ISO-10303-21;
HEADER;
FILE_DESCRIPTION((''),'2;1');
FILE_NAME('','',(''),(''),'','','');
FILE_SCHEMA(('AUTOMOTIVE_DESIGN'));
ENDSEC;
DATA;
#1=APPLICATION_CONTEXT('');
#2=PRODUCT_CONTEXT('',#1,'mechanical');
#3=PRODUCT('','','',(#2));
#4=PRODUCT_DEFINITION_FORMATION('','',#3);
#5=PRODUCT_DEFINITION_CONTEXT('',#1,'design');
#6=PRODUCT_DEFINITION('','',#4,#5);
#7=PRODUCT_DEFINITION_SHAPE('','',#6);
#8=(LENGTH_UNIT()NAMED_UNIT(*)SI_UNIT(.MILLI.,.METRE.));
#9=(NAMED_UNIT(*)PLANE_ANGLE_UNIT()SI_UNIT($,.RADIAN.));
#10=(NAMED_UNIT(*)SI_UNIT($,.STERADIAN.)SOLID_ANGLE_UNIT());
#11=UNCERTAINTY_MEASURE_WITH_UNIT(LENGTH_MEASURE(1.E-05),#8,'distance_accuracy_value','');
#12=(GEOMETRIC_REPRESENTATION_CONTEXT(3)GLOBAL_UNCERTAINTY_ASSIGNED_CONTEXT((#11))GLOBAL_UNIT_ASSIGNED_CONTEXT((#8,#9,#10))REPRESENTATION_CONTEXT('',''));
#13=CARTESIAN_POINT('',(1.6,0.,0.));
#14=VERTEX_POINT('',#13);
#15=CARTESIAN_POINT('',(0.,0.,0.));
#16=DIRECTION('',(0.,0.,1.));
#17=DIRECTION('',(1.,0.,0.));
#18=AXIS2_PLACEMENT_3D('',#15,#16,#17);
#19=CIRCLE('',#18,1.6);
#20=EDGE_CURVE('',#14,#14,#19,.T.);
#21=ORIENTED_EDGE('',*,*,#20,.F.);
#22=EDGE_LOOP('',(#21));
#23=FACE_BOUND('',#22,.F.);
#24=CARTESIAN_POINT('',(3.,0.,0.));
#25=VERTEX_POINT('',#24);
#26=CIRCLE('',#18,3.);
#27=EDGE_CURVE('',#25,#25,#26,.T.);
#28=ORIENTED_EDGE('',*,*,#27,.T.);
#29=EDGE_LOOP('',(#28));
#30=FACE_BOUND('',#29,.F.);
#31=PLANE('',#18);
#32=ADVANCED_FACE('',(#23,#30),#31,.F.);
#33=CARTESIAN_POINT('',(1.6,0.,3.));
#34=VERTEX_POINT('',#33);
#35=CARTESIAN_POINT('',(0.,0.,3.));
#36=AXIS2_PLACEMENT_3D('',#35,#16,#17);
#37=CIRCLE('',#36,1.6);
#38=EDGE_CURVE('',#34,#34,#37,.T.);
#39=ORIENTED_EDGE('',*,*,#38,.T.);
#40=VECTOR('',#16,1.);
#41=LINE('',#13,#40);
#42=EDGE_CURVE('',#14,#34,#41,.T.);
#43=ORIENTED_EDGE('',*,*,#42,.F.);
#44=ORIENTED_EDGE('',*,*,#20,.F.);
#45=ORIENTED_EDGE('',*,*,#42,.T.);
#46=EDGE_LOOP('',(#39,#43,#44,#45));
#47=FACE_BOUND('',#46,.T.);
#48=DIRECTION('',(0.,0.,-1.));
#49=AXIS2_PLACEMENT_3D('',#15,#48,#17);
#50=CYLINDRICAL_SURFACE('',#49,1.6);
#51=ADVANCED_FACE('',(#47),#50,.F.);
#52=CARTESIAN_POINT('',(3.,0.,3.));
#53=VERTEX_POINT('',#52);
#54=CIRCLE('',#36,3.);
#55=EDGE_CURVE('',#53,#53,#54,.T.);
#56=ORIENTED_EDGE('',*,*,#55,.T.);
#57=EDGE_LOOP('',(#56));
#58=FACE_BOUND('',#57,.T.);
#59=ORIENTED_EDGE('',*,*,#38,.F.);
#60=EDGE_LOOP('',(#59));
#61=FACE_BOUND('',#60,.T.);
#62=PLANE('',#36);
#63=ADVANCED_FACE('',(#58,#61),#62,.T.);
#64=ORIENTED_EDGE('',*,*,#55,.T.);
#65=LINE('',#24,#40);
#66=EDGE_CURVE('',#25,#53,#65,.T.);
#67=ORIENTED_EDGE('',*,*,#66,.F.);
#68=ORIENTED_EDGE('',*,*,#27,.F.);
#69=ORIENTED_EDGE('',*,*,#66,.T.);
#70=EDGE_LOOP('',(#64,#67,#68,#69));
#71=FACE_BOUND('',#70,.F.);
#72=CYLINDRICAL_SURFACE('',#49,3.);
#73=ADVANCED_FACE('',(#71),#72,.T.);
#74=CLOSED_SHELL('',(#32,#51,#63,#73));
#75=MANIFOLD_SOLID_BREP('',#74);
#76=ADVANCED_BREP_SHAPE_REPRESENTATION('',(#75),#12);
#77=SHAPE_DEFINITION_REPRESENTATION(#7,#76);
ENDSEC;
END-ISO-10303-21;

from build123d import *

# Parameters (mm, degrees)
SKETCH_1_R      = 3
SKETCH_1_R_2    = 1.6
EXTRUDE_1_DEPTH = 3


with BuildPart() as part:
    # ｽｹｯﾁ1 → ﾎﾞｽ - 押し出し1 (new body)
    with BuildSketch(Plane.XY):
        Circle(SKETCH_1_R)
        Circle(SKETCH_1_R_2, mode=Mode.SUBTRACT)
    extrude(amount=EXTRUDE_1_DEPTH)


solid = part.part
